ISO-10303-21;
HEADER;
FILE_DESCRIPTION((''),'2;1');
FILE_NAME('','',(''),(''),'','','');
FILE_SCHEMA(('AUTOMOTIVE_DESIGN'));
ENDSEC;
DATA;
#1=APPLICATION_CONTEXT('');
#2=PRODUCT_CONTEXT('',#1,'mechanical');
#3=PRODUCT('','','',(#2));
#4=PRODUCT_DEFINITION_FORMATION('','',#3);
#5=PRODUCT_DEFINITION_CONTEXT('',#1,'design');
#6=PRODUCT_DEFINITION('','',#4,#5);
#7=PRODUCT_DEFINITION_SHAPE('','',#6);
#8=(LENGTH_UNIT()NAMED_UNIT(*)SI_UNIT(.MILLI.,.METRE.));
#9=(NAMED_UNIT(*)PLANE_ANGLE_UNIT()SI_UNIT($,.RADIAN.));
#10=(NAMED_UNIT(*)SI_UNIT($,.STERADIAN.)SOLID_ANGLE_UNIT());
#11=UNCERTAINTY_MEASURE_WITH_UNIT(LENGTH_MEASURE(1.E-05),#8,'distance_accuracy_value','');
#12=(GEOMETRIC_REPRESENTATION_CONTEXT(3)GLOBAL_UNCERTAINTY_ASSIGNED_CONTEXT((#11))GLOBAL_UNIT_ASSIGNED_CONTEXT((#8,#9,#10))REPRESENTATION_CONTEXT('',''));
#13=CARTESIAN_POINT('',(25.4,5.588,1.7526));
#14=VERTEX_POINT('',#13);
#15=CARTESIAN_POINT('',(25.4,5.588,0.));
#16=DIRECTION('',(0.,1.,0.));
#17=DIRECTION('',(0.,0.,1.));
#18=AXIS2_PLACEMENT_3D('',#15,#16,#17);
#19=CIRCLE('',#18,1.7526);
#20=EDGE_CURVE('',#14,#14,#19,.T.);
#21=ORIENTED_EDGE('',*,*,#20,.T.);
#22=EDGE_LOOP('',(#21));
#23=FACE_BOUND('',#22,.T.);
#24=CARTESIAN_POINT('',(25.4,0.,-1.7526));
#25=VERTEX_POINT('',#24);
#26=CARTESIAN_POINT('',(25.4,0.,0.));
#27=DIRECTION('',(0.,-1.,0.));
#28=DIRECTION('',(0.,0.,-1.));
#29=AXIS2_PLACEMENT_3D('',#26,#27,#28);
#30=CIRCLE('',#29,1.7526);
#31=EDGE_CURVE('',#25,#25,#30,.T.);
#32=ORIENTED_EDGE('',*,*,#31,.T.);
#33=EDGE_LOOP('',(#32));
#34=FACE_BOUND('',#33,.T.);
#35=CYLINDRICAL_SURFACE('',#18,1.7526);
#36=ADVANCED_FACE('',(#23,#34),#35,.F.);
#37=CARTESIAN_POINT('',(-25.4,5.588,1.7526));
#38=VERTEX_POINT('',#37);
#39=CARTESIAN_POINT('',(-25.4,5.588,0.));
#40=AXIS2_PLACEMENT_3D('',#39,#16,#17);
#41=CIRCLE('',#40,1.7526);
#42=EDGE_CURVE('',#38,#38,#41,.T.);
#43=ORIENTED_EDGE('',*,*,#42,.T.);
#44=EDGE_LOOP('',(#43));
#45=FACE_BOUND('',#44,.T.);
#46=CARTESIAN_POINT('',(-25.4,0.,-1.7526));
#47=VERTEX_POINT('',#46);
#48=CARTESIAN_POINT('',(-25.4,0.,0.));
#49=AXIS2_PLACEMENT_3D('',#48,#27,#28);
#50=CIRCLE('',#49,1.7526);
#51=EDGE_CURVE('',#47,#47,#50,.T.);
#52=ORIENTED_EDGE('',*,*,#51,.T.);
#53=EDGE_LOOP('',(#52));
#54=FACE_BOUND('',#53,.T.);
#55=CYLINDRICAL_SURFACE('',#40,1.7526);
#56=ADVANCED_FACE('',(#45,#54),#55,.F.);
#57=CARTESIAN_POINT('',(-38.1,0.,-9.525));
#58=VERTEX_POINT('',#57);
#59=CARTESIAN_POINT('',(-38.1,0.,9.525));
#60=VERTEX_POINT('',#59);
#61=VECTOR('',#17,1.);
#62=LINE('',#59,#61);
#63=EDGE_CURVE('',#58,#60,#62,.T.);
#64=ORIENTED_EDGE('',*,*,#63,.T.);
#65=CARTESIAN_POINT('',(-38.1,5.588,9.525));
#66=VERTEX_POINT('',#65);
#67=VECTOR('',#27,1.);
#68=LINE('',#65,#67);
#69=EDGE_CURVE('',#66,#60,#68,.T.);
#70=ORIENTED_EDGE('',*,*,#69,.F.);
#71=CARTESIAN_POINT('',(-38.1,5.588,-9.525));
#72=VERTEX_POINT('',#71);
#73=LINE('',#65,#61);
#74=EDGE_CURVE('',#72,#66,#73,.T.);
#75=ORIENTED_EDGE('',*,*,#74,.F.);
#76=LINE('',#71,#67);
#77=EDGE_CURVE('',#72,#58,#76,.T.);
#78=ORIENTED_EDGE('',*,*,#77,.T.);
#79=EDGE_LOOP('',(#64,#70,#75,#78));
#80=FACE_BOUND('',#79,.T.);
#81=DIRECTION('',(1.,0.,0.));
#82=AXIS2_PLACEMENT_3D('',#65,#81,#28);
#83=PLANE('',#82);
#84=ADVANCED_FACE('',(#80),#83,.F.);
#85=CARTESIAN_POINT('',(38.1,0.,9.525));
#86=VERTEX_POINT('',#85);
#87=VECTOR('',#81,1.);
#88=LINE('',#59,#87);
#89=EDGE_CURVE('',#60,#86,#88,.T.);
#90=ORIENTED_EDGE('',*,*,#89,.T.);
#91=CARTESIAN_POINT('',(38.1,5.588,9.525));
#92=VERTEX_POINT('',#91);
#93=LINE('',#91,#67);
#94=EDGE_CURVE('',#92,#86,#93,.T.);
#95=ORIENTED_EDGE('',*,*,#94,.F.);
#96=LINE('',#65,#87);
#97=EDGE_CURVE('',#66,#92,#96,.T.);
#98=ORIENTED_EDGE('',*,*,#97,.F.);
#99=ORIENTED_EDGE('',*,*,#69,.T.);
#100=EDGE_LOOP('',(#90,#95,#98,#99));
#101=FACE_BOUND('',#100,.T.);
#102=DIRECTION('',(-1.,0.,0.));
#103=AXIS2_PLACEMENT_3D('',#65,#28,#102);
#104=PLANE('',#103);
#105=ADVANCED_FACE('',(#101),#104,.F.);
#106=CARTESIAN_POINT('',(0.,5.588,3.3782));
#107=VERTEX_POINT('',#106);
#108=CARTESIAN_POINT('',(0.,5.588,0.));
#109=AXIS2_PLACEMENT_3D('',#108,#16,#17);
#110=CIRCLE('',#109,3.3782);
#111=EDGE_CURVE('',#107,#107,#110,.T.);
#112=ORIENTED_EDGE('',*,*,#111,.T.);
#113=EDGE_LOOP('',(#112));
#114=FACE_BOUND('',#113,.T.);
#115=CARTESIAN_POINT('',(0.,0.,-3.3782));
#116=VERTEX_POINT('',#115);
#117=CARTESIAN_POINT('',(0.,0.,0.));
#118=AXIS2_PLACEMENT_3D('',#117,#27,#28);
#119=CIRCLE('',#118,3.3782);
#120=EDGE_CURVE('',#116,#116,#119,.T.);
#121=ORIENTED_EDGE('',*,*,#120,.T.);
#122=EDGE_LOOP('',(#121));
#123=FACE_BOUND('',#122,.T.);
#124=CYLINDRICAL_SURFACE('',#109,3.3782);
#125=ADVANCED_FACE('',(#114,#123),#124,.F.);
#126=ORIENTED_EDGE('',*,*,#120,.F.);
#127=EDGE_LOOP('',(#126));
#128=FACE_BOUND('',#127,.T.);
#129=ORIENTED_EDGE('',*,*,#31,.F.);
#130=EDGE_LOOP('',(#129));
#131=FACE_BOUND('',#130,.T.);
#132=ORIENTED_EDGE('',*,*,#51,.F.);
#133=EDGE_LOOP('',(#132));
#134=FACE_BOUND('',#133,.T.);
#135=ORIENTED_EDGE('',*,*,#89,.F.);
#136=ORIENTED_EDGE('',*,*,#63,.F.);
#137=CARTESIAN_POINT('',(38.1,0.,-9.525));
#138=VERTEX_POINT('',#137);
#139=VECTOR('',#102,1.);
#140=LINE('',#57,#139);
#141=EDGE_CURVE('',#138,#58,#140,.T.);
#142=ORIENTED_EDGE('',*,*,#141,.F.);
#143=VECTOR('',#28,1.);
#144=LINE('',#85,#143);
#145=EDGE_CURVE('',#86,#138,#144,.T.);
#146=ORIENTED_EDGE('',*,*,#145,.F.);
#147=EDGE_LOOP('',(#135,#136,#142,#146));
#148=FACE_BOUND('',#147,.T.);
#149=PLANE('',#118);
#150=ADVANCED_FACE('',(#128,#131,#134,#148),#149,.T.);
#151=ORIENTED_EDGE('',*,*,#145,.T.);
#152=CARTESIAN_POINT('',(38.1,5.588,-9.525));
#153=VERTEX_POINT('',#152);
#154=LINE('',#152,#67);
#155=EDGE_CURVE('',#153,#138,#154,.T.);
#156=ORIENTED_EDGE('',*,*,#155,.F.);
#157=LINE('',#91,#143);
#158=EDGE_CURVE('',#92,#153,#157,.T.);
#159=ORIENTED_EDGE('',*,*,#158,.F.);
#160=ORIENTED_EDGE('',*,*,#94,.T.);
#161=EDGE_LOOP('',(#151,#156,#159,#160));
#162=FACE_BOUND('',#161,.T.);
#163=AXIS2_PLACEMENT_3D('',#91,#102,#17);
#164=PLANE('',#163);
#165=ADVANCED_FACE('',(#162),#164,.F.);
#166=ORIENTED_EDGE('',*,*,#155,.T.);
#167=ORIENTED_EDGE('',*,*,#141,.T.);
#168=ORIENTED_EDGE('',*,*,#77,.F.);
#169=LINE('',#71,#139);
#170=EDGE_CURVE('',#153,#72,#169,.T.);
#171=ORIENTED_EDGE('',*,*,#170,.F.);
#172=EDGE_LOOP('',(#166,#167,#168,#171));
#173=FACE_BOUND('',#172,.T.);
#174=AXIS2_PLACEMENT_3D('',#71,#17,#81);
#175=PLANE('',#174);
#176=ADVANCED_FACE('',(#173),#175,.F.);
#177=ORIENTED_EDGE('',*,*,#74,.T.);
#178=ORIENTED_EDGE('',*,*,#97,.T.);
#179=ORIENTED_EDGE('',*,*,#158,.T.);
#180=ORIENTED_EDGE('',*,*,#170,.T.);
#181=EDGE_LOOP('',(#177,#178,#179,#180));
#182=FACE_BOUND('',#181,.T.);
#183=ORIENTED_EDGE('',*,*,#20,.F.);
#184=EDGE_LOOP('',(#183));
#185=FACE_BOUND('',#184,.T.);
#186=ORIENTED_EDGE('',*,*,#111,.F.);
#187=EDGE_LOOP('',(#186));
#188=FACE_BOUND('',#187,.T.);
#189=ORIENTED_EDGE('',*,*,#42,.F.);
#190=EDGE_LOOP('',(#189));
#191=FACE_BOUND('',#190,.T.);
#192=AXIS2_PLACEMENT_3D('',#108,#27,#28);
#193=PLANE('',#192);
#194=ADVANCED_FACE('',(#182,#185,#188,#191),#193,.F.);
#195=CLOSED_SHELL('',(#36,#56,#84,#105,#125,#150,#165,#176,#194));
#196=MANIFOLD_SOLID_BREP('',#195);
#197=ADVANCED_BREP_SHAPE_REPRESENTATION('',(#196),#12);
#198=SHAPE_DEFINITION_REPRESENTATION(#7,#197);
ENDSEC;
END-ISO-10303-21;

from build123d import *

# Parameters (mm, degrees)
SKETCH1_W                   = 76.2
SKETCH1_H                   = 19.05
BOSS_EXTRUDE1_DEPTH         = 5.588
F_1_4_CLEARANCE_HOLE1_D     = 6.7564
F_1_4_CLEARANCE_HOLE1_DEPTH = 19.05
F_1_4_CLEARANCE_HOLE1_TIP   = 2.029827343
F_6_CLEARANCE_HOLE1_D       = 3.5052


with BuildPart() as part:
    # Sketch1 → Boss-Extrude1 (new body)
    with BuildSketch(Plane(origin=(0, 0, 0), x_dir=(1, 0, 0), z_dir=(0, 1, 0))):
        Rectangle(SKETCH1_W, SKETCH1_H)
    extrude(amount=BOSS_EXTRUDE1_DEPTH)

    # 1/4 Clearance Hole1
    with Locations(Plane(origin=(0, 5.588, 0), x_dir=(1, 0, 0), z_dir=(0, 1, 0))):
        with Locations((0, 0)):
            Hole(F_1_4_CLEARANCE_HOLE1_D / 2, depth=F_1_4_CLEARANCE_HOLE1_DEPTH)
            with Locations((0, 0, -(F_1_4_CLEARANCE_HOLE1_DEPTH + F_1_4_CLEARANCE_HOLE1_TIP / 2))):  # 118° drill point
                Cone(0, F_1_4_CLEARANCE_HOLE1_D / 2, F_1_4_CLEARANCE_HOLE1_TIP, mode=Mode.SUBTRACT)

    # #6 Clearance Hole1 (through all)
    with Locations(Plane(origin=(0, 5.588, 0), x_dir=(1, 0, 0), z_dir=(0, 1, 0))):
        with Locations((25.4, 0), (-25.4, 0)):
            Hole(F_6_CLEARANCE_HOLE1_D / 2)


solid = part.part
